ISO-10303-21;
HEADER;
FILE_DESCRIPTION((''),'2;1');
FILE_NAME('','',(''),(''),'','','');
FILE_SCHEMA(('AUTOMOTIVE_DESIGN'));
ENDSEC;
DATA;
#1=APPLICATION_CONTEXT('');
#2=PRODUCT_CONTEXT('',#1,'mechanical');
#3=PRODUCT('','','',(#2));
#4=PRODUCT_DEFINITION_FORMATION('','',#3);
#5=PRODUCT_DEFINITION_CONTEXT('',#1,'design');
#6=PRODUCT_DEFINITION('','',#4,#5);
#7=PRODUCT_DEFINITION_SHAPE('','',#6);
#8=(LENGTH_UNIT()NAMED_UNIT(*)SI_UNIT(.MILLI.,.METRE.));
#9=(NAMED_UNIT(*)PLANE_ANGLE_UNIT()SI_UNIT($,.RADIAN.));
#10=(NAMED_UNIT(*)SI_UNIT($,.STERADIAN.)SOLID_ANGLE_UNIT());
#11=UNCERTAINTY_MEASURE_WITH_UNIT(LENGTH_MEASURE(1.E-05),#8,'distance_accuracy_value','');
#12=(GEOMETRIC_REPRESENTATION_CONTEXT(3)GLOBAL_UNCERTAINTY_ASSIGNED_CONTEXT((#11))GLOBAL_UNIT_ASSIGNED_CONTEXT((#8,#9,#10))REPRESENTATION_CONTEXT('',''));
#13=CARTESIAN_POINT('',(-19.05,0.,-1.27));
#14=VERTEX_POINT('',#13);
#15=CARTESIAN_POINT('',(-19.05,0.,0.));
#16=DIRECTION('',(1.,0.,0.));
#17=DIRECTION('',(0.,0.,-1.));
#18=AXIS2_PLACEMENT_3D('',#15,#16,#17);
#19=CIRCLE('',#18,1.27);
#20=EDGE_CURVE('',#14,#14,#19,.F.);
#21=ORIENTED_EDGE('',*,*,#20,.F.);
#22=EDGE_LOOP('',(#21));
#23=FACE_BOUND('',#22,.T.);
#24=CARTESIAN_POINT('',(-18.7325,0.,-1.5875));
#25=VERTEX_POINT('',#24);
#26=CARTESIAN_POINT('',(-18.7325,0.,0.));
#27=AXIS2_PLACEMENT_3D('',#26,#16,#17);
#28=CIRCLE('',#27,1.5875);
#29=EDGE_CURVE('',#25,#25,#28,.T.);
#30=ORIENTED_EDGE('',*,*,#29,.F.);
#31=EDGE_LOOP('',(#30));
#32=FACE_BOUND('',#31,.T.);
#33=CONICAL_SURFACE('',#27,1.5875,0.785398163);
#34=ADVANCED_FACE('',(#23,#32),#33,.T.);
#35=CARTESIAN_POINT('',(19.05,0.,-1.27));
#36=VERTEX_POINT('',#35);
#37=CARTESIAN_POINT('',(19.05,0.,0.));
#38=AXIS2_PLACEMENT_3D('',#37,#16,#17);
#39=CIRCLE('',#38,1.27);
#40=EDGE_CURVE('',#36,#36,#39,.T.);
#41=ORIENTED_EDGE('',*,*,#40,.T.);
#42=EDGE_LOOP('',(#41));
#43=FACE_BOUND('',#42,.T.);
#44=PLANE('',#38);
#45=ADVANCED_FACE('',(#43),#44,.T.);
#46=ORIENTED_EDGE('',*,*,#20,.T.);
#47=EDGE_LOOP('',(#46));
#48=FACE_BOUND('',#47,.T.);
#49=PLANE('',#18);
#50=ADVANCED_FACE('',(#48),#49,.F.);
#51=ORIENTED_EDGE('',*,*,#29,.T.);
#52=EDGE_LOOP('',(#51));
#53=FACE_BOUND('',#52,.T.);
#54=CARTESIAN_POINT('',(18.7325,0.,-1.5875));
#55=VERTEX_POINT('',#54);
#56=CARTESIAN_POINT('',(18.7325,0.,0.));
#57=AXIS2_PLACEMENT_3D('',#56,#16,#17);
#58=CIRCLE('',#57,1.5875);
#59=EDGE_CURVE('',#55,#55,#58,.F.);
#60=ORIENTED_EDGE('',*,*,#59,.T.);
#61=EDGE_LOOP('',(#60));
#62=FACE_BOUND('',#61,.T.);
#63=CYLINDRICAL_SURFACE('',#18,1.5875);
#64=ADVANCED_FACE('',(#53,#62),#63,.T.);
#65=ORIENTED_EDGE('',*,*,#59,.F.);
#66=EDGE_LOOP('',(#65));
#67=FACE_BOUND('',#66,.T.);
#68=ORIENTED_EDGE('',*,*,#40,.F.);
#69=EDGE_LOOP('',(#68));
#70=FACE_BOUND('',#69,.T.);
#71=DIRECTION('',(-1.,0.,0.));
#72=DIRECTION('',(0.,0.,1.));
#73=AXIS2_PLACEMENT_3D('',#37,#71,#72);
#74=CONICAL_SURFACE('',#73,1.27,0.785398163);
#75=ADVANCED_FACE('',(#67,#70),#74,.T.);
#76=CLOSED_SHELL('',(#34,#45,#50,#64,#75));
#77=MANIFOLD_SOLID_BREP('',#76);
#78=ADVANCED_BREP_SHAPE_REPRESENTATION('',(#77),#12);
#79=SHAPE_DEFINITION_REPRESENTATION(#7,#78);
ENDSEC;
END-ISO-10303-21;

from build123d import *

# Parameters (mm, degrees)
SKETCH2_R           = 1.5875
EXTRUDE1_DEPTH      = 19.05
EXTRUDE1_DEPTH_BACK = 19.05
CHAMFER1_SIZE       = 0.3175


with BuildPart() as part:
    # Sketch2 → Extrude1 (new body, two sides)
    with BuildSketch(Plane(origin=(0, 0, 0), x_dir=(0, 0, -1), z_dir=(1, 0, 0))) as extrude1_sk:
        Circle(SKETCH2_R)
    extrude(amount=EXTRUDE1_DEPTH)
    extrude(extrude1_sk.sketch, amount=-EXTRUDE1_DEPTH_BACK)

    # Chamfer1
    chamfer1_edges = [part.edges().sort_by_distance(p)[0] for p in [
        (-19.05, 0, 1.5875),
        (19.05, 0, 1.5875),
    ]]
    chamfer(chamfer1_edges, length=CHAMFER1_SIZE)


solid = part.part
